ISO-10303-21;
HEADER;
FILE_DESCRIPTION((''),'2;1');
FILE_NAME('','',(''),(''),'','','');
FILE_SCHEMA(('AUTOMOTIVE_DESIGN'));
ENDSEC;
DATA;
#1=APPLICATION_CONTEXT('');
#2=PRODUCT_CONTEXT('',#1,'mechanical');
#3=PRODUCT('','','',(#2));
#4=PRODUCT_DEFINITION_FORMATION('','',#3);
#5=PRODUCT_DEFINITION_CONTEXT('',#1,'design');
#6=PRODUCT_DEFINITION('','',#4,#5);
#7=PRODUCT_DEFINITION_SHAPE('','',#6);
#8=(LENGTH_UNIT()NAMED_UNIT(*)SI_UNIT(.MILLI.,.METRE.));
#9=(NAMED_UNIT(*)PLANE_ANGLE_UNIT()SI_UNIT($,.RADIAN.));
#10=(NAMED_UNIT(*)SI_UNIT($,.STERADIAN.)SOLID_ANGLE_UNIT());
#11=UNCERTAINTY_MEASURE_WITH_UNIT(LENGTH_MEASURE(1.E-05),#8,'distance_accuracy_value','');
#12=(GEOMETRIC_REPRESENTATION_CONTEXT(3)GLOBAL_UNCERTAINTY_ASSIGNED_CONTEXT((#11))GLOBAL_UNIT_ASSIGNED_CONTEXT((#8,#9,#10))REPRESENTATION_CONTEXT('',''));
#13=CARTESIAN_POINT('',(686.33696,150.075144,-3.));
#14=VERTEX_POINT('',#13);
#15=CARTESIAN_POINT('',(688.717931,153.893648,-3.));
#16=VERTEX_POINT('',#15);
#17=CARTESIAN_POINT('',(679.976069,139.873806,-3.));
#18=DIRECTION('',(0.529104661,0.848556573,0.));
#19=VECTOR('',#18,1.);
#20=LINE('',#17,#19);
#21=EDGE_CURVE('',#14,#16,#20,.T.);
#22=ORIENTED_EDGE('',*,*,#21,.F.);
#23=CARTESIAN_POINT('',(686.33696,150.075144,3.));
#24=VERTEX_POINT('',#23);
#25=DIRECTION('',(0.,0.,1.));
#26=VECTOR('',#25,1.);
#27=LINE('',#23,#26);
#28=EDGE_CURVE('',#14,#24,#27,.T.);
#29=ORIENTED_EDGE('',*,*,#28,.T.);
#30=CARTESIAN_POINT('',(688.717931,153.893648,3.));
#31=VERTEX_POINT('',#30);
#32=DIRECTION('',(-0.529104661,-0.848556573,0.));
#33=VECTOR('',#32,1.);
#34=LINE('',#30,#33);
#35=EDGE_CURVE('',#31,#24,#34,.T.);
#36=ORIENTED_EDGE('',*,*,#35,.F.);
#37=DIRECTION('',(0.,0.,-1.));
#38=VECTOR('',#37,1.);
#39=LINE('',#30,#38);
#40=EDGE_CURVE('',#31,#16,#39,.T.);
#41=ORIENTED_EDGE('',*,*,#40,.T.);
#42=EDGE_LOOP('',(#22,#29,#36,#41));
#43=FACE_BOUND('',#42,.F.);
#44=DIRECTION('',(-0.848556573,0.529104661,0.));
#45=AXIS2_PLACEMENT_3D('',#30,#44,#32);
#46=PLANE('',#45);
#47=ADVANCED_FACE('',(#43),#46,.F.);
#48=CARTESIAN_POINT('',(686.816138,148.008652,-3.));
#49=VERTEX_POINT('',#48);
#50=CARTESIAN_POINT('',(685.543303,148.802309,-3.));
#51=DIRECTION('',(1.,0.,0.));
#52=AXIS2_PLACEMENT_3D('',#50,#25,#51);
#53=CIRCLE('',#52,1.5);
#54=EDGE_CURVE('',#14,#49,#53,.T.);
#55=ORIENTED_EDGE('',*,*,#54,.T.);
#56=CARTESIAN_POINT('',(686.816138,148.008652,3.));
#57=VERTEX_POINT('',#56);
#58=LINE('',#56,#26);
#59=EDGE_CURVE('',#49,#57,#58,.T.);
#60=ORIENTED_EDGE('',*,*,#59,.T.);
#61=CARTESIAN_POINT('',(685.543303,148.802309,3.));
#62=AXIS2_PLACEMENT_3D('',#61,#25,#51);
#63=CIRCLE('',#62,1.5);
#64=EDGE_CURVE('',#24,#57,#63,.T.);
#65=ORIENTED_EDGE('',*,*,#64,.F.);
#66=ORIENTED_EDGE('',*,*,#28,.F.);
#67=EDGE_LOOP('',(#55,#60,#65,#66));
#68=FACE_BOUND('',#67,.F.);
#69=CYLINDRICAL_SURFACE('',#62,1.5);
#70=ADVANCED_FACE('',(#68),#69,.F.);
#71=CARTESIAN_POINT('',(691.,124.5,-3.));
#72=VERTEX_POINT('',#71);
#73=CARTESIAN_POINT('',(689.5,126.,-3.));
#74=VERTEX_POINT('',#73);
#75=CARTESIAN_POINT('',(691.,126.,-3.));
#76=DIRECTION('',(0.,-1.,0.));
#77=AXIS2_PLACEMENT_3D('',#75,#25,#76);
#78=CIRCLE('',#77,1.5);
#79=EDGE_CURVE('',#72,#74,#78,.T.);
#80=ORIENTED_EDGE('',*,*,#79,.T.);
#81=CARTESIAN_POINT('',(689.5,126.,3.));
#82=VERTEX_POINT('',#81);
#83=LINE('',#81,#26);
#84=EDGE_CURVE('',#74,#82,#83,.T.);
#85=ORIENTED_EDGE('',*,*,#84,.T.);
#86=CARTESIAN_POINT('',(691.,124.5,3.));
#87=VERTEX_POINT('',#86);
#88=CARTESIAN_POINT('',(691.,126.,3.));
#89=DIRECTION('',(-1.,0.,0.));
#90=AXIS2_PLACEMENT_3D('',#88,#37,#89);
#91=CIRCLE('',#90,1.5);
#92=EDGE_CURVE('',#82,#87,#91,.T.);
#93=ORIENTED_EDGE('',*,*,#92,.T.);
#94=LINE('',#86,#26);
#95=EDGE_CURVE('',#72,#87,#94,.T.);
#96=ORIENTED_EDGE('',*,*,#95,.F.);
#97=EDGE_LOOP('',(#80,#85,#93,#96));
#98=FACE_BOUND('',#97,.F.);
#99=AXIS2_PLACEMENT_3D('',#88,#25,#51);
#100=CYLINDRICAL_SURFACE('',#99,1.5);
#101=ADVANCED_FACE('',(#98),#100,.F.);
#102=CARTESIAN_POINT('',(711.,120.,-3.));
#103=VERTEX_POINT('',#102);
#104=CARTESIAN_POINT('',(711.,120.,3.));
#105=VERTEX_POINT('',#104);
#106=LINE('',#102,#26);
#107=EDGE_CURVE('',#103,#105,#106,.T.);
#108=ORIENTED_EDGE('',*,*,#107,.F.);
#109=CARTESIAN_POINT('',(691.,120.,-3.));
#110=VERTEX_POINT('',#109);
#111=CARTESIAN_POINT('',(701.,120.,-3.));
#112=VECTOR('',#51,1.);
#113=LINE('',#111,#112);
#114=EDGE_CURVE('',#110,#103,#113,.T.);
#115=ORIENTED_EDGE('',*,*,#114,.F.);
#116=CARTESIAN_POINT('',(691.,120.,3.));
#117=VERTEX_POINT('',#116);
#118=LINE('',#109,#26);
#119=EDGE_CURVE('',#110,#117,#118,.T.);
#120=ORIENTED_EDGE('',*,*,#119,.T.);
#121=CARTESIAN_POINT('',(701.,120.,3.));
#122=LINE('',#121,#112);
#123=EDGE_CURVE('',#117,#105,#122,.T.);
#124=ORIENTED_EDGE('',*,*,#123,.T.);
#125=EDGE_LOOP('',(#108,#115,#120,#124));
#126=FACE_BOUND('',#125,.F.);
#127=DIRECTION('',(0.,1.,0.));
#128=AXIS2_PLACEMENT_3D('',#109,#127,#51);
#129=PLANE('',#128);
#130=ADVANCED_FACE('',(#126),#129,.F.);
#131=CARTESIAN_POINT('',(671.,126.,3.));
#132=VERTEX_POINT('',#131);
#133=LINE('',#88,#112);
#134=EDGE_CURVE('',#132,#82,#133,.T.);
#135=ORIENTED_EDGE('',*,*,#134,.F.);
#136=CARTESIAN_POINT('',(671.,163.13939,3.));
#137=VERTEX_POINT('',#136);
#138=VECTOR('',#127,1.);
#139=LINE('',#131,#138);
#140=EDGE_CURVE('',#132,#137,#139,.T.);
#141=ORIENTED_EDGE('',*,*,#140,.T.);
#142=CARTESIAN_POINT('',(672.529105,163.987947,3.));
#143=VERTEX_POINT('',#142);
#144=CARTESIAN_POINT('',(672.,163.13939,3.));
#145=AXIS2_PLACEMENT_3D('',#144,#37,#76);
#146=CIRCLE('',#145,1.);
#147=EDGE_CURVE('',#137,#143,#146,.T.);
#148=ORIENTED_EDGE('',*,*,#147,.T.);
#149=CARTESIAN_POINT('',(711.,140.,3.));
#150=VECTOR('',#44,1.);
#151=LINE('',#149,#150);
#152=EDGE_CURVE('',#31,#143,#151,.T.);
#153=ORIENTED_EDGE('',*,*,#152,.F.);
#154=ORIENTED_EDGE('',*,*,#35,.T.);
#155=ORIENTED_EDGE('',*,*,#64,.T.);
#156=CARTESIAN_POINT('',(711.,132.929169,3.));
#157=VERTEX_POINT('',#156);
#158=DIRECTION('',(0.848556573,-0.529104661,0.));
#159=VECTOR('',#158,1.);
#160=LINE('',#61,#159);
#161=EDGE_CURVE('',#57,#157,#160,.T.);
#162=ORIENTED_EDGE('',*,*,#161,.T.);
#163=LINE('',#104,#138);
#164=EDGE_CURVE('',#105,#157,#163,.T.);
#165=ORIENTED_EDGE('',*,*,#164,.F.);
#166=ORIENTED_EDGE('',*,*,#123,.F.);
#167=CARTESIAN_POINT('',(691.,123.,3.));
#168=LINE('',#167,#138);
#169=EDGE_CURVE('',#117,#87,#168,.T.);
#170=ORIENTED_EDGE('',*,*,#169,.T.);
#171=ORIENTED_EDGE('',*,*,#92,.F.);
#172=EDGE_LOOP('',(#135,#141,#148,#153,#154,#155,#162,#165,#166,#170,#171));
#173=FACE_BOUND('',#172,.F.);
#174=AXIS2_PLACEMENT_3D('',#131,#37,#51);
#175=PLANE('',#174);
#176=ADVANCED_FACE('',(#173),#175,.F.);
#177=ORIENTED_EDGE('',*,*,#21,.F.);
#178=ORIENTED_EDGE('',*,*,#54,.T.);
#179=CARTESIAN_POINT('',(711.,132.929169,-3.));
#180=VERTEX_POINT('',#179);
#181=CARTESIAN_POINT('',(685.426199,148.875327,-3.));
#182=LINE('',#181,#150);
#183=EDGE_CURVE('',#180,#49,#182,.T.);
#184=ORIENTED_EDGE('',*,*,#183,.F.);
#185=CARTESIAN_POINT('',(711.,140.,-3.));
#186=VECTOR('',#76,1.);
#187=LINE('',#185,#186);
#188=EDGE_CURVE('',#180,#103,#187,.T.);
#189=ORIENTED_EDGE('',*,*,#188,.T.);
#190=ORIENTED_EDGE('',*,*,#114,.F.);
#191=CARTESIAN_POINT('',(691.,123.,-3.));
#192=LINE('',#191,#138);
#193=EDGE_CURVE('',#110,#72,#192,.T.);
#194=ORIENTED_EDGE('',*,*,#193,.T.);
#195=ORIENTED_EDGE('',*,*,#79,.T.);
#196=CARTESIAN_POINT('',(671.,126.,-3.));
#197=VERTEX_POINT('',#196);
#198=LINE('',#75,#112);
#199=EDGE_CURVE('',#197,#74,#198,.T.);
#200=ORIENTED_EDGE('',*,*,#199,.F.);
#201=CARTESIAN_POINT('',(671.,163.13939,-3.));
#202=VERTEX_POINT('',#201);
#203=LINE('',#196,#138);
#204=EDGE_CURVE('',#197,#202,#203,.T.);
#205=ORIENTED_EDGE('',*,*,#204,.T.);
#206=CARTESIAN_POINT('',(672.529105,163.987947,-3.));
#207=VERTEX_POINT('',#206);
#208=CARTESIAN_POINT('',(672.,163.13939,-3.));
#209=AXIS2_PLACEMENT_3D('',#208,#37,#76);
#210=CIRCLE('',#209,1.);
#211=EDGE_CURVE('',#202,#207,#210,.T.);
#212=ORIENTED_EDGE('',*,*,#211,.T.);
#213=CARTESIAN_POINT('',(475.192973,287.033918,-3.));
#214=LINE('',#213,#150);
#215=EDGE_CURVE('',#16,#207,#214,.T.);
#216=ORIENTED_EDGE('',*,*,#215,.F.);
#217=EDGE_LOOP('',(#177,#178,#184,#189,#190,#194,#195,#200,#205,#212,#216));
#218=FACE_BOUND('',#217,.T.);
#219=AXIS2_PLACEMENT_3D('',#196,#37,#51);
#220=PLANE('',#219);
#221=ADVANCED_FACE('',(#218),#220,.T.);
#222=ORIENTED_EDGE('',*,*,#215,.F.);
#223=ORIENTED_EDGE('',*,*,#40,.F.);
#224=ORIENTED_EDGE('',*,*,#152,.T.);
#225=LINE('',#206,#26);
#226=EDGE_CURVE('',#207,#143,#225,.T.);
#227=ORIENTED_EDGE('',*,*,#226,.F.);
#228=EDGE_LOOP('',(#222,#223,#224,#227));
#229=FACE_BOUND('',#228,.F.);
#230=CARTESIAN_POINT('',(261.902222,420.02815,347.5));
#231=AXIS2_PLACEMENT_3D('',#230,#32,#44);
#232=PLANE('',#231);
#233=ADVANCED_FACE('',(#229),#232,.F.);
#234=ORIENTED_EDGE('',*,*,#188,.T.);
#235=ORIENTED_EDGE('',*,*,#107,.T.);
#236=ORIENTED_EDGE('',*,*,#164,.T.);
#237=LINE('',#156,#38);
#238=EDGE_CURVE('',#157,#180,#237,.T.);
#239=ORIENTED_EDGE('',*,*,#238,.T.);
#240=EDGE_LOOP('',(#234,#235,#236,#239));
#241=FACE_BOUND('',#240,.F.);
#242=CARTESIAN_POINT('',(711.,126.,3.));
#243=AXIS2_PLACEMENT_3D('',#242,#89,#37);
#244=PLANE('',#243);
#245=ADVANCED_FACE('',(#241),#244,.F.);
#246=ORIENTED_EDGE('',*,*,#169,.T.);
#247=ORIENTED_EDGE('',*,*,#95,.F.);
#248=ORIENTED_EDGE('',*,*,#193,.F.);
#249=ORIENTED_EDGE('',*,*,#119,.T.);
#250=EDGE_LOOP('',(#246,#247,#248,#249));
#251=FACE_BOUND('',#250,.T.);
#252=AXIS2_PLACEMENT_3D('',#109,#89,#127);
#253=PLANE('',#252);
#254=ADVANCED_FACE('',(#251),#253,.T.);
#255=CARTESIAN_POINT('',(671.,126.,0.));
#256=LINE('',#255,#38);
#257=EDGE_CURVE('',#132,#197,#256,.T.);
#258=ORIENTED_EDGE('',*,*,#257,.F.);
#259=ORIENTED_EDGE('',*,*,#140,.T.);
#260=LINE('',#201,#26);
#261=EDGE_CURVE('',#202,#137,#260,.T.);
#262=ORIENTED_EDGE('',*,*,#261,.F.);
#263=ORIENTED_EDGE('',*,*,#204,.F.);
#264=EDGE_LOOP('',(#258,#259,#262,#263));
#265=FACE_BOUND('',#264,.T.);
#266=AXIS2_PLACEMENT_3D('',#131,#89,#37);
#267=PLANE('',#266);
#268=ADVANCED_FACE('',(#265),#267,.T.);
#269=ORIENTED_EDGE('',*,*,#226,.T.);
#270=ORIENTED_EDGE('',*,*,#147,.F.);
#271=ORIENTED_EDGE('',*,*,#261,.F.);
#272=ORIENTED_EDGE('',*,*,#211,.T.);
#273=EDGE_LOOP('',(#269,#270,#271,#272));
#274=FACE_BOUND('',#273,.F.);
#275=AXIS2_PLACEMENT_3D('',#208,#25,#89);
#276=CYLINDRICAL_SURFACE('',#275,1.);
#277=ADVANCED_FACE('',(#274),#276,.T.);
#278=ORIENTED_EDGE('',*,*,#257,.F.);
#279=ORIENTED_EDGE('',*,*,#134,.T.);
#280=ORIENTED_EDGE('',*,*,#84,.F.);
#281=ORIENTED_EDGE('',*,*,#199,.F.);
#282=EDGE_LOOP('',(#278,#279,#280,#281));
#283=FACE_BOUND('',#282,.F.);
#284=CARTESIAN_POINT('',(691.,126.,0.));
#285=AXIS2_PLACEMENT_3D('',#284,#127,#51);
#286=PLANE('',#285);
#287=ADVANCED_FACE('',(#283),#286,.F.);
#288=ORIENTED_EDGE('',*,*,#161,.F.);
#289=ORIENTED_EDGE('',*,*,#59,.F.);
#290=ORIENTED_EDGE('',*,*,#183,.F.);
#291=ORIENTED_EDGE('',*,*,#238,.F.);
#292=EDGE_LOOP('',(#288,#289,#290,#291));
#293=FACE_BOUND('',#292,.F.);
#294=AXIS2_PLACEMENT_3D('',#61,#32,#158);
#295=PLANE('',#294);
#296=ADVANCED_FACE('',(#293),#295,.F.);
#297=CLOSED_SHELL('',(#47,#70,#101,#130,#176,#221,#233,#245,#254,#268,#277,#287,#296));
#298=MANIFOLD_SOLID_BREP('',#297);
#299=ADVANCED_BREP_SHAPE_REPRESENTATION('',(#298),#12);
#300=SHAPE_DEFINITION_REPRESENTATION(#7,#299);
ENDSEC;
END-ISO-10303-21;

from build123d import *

# Parameters (mm, degrees)
BOSS_EXTRUDE1_START     = -3
SKETCH1_W               = 20
SKETCH1_H               = 6
BOSS_EXTRUDE1_DEPTH     = 6
BOSS_EXTRUDE2_REACH     = 713.032
SKETCH2_W               = 40
SKETCH2_H               = 6
SKETCH3_R               = 1.5
CUT_EXTRUDE1_DEPTH      = 730.905928511
FILLET1_R               = 1
CUT_EXTRUDE3_DEPTH      = 730.725112263
CUT_EXTRUDE3_DEPTH_BACK = 730.725112263
SKETCH5_R               = 1.5
CUT_EXTRUDE4_DEPTH      = 730.725112263


with BuildPart() as part:
    # Sketch1 → Boss-Extrude1 (new body)
    with BuildSketch(Plane.XY.offset(BOSS_EXTRUDE1_START)):
        with Locations((701, 123)):
            Rectangle(SKETCH1_W, SKETCH1_H)
    extrude(amount=BOSS_EXTRUDE1_DEPTH)

    # Boss-Extrude2: up to this plane
    boss_extrude2_end = Plane(origin=(261.902222158, 420.028150272, 347.5), z_dir=(-0.5291046610932348, -0.8485565730164449, 0))
    # Sketch2 → Boss-Extrude2 (add, up to the surface)
    with BuildSketch(Plane(origin=(0, 126, 0), x_dir=(1, 0, 0), z_dir=(0, 1, 0)), mode=Mode.PRIVATE) as boss_extrude2_sk1:
        with Locations((691, 0)):
            Rectangle(SKETCH2_W, SKETCH2_H)
    boss_extrude2_tool1 = split(extrude(boss_extrude2_sk1.sketch, amount=BOSS_EXTRUDE2_REACH, mode=Mode.PRIVATE), bisect_by=boss_extrude2_end, keep=Keep.BOTH, mode=Mode.PRIVATE)
    add(boss_extrude2_tool1.solids().sort_by_distance((691, 126, 0))[0])

    # Sketch3 → Cut-Extrude1 (cut, through all)
    with BuildSketch(Plane.XY.offset(3)):
        with Locations((691, 126)):
            Circle(SKETCH3_R)
    extrude(amount=-CUT_EXTRUDE1_DEPTH, mode=Mode.SUBTRACT)

    # Fillet1
    fillet1_edges = [part.edges().sort_by_distance(p)[0] for p in [
        (671, 164.941397093, 0),
    ]]
    fillet(fillet1_edges, radius=FILLET1_R)

    # Sketch4 → Cut-Extrude3 (cut, two sides)
    with BuildSketch(Plane.XY.offset(3)) as cut_extrude3_sk:
        Polygon((688.717930776, 153.893648414), (685.54330281, 148.802308976), (711, 132.929169143), (714.174627967, 138.020508582), align=None)
    extrude(amount=CUT_EXTRUDE3_DEPTH, mode=Mode.SUBTRACT)
    extrude(cut_extrude3_sk.sketch, amount=-CUT_EXTRUDE3_DEPTH_BACK, mode=Mode.SUBTRACT)

    # Sketch5 → Cut-Extrude4 (cut, through all)
    with BuildSketch(Plane.XY.offset(3)):
        with Locations((685.54330281, 148.802308976)):
            Circle(SKETCH5_R)
    extrude(amount=-CUT_EXTRUDE4_DEPTH, mode=Mode.SUBTRACT)


solid = part.part
